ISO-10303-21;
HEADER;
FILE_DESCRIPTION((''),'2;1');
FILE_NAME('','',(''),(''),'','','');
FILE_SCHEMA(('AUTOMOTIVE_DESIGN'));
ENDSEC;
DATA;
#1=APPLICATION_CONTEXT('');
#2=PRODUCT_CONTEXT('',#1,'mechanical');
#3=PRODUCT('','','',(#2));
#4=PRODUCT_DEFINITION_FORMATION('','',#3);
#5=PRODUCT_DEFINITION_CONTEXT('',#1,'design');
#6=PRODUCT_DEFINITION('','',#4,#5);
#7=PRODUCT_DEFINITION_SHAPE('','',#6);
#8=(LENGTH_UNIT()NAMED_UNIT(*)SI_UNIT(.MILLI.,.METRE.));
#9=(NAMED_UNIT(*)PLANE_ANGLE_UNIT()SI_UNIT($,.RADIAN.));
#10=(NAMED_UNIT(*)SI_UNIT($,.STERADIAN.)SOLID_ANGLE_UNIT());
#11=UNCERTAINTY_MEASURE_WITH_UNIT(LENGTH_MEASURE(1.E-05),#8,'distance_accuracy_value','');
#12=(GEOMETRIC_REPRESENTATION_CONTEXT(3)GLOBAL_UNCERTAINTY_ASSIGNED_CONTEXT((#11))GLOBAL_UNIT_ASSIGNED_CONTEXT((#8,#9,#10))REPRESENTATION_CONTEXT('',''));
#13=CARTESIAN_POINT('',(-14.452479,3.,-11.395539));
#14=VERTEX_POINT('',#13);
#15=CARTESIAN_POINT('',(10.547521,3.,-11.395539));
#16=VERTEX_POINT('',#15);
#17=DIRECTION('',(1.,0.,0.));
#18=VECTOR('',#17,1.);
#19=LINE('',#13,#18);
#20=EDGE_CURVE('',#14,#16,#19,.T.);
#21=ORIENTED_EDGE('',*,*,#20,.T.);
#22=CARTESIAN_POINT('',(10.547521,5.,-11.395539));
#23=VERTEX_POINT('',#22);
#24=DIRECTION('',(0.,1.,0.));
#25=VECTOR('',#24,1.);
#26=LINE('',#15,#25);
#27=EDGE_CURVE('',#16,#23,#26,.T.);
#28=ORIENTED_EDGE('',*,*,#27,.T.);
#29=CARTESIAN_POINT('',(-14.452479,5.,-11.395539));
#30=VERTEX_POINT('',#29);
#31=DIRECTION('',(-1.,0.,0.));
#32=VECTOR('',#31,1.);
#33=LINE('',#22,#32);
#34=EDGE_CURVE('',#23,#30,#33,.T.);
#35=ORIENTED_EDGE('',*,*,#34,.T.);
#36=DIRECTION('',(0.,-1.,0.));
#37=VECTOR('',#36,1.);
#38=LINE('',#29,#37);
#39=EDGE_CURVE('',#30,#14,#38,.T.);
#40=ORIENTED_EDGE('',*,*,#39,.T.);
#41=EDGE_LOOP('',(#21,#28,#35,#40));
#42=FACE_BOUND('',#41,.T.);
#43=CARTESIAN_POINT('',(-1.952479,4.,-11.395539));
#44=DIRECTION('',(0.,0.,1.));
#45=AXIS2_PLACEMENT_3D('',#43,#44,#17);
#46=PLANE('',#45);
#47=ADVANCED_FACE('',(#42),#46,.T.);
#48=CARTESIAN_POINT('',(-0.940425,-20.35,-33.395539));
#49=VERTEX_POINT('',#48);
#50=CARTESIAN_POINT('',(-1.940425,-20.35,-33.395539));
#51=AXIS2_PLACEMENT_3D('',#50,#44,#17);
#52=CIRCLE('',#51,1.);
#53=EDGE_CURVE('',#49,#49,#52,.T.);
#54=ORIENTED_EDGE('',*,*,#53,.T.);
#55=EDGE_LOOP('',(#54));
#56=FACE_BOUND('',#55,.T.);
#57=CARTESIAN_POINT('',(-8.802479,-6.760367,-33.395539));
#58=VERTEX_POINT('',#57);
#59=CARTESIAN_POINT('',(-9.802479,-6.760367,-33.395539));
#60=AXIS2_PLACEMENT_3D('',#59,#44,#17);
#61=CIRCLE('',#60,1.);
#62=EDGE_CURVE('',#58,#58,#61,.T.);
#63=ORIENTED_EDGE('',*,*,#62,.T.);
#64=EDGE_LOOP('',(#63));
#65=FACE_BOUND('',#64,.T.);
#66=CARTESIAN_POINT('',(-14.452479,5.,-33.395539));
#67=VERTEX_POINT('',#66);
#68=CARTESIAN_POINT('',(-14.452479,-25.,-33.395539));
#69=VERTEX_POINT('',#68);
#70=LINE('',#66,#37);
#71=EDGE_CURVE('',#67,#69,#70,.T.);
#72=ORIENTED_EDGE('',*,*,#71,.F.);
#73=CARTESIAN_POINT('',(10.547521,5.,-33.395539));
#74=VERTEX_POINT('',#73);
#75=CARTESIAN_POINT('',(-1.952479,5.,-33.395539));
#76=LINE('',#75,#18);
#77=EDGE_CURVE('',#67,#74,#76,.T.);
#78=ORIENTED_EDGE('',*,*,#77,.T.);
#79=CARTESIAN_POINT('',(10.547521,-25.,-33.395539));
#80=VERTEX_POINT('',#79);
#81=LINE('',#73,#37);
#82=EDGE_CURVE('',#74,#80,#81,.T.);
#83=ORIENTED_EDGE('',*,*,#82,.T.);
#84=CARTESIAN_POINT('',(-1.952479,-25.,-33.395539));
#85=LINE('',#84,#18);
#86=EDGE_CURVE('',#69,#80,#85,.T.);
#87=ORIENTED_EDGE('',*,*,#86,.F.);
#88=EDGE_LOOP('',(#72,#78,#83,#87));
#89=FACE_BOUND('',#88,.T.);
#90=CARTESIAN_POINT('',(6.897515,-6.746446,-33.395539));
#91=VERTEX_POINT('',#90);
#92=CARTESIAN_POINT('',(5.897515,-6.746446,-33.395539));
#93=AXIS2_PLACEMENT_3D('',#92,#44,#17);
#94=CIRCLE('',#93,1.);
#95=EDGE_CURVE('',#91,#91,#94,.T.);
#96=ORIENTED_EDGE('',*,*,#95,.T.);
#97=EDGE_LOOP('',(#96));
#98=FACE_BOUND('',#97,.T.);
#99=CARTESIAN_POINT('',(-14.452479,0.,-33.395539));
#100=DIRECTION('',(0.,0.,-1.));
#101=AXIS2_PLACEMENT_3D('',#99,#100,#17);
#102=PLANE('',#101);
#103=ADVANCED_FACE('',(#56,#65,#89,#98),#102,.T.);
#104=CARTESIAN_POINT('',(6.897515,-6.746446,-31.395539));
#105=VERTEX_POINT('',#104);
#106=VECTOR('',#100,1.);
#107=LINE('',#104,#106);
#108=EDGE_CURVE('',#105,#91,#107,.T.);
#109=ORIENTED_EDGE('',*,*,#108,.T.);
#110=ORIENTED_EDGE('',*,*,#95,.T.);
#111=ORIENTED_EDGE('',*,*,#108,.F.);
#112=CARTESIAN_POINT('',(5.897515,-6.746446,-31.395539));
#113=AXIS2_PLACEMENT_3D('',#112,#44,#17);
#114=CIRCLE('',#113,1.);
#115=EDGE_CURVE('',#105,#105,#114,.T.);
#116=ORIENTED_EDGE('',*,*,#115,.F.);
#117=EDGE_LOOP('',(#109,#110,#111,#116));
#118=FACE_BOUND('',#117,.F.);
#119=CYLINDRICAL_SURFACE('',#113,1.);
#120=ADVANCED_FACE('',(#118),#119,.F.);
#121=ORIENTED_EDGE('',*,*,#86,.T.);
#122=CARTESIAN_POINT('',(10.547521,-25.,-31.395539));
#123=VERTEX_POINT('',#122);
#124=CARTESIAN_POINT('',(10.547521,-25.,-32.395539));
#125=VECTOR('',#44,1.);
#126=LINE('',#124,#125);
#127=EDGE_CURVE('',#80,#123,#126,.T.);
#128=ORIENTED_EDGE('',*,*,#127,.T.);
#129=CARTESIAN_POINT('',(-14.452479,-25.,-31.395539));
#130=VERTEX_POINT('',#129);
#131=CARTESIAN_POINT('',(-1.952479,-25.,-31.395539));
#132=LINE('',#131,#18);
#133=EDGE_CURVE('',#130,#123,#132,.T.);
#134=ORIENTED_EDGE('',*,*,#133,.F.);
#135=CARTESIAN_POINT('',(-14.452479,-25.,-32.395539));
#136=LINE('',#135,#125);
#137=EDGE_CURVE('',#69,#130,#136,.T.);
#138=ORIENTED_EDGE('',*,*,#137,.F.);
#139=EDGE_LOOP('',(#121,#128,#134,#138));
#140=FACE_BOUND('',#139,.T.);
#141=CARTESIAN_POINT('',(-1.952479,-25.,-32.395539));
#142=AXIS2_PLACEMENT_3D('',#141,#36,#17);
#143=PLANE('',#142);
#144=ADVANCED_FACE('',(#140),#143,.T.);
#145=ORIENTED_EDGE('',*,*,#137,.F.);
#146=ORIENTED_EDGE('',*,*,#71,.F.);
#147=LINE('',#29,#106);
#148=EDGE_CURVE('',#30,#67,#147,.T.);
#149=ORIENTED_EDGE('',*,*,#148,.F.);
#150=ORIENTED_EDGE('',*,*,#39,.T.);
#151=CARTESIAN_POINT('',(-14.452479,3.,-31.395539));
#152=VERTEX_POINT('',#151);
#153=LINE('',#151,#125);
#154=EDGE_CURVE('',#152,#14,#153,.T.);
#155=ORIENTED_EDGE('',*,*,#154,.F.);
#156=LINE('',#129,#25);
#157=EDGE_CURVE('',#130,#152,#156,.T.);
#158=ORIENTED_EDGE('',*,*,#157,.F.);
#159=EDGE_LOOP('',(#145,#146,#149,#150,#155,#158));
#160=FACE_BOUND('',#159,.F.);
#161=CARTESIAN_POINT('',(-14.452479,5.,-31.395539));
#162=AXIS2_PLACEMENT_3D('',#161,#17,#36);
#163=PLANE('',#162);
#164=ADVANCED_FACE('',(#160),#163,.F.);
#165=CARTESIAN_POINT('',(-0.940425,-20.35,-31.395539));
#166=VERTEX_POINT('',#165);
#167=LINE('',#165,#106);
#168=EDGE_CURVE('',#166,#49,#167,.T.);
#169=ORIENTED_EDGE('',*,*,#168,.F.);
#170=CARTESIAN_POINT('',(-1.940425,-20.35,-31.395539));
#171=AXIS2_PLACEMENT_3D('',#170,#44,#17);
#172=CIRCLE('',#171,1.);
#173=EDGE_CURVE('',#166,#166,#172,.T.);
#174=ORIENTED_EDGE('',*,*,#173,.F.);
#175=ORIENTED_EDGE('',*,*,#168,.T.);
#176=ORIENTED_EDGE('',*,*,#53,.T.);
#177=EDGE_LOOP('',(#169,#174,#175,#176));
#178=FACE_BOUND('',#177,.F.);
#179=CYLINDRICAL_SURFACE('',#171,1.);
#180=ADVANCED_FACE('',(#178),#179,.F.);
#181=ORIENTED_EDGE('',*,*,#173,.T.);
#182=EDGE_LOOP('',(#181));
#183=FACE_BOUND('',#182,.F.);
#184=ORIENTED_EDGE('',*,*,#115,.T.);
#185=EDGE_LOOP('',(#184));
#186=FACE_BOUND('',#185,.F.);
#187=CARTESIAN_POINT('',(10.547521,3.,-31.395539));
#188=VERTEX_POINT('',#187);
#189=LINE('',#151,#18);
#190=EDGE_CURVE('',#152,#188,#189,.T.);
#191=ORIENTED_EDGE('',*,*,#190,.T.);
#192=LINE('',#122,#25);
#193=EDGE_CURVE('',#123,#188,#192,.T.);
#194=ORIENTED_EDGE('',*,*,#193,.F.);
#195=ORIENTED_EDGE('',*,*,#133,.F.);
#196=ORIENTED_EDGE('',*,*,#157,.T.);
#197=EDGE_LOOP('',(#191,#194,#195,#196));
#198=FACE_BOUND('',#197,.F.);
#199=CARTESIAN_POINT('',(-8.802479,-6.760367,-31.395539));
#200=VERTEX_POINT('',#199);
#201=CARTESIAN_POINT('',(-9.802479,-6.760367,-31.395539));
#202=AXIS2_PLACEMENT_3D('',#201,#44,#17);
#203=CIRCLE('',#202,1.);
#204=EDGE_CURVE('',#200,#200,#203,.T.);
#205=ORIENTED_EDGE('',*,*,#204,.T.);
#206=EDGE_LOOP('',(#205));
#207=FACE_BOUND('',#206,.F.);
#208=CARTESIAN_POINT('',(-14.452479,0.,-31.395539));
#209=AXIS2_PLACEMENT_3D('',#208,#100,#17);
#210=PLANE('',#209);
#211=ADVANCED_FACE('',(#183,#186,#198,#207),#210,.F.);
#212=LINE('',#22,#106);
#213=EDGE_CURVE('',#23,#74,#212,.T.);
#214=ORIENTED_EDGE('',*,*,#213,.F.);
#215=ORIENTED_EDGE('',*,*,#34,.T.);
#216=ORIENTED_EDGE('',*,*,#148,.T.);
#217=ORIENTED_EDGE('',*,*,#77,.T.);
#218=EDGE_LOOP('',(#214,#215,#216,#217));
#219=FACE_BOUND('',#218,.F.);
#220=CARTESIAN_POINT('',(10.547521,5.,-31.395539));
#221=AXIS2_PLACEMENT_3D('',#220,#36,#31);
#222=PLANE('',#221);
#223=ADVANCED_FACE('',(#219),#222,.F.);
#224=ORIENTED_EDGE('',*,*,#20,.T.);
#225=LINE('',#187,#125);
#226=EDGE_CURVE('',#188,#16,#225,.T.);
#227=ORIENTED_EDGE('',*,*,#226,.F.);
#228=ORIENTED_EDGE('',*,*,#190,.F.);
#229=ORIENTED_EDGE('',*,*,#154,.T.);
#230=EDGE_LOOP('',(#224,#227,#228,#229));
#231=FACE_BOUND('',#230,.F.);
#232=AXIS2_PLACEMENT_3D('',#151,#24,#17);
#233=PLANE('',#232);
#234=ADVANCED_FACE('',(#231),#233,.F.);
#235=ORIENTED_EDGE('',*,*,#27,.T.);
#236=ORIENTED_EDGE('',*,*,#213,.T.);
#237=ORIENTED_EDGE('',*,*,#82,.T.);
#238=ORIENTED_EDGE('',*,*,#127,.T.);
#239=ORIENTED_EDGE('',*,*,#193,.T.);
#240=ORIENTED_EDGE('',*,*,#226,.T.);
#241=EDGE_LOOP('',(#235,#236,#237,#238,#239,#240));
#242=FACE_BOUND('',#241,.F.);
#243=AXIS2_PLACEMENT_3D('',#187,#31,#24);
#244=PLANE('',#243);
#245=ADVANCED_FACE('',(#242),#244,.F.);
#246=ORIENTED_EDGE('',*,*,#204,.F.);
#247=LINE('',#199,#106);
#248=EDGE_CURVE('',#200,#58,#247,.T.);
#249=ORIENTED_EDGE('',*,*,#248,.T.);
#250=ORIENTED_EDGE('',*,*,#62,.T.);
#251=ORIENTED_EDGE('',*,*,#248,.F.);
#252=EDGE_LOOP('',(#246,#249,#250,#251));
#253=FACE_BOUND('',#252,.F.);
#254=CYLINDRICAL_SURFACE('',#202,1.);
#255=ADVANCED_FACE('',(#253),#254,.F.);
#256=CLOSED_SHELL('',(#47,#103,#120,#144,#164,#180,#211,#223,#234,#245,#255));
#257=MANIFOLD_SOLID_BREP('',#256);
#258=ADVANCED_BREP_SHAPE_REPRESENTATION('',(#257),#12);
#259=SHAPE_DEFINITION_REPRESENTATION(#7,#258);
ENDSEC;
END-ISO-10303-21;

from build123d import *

# Parameters (mm, degrees)
F0_W     = 25
F0_H     = 2
F1_DEPTH = 25
F2_R     = 1
F3_DEPTH = 25
F4_DEPTH = 5
F6_DEPTH = 20


with BuildPart() as f1:
    # F0 (on Front) → F1 (new body)
    with BuildSketch(Plane.XZ):
        with Locations((-1.9524786621, -32.3955392072)):
            Rectangle(F0_W, F0_H)
    extrude(amount=F1_DEPTH)

    # F2 (on face) → F3 (cut)
    with BuildSketch(Plane.XY.offset(-31.3955392072)):
        with Locations((-1.9404253719, -20.35)):
            Circle(F2_R)
        with Locations((5.8975151656, -6.7464457538)):
            Circle(F2_R)
        with Locations((-9.8024786621, -6.760367258)):
            Circle(F2_R)
    extrude(amount=-F3_DEPTH, mode=Mode.SUBTRACT)

    # F4 (add): a face of the model
    f4_faces = [f1.faces().sort_by_distance(p)[0] for p in [
        (-1.9524786621, 0, -32.3955392072),
    ]]
    extrude(f4_faces, amount=F4_DEPTH)

    # F5 (on face) → F6 (join)
    with BuildSketch(Plane.XY.offset(-31.3955392072)):
        Polygon((-14.4524786621, 5), (-14.4524786621, 3), (10.433112914, 3), (10.5475213379, 3), (10.5475213379, 5), align=None)
    extrude(amount=F6_DEPTH)


solid = f1.part
